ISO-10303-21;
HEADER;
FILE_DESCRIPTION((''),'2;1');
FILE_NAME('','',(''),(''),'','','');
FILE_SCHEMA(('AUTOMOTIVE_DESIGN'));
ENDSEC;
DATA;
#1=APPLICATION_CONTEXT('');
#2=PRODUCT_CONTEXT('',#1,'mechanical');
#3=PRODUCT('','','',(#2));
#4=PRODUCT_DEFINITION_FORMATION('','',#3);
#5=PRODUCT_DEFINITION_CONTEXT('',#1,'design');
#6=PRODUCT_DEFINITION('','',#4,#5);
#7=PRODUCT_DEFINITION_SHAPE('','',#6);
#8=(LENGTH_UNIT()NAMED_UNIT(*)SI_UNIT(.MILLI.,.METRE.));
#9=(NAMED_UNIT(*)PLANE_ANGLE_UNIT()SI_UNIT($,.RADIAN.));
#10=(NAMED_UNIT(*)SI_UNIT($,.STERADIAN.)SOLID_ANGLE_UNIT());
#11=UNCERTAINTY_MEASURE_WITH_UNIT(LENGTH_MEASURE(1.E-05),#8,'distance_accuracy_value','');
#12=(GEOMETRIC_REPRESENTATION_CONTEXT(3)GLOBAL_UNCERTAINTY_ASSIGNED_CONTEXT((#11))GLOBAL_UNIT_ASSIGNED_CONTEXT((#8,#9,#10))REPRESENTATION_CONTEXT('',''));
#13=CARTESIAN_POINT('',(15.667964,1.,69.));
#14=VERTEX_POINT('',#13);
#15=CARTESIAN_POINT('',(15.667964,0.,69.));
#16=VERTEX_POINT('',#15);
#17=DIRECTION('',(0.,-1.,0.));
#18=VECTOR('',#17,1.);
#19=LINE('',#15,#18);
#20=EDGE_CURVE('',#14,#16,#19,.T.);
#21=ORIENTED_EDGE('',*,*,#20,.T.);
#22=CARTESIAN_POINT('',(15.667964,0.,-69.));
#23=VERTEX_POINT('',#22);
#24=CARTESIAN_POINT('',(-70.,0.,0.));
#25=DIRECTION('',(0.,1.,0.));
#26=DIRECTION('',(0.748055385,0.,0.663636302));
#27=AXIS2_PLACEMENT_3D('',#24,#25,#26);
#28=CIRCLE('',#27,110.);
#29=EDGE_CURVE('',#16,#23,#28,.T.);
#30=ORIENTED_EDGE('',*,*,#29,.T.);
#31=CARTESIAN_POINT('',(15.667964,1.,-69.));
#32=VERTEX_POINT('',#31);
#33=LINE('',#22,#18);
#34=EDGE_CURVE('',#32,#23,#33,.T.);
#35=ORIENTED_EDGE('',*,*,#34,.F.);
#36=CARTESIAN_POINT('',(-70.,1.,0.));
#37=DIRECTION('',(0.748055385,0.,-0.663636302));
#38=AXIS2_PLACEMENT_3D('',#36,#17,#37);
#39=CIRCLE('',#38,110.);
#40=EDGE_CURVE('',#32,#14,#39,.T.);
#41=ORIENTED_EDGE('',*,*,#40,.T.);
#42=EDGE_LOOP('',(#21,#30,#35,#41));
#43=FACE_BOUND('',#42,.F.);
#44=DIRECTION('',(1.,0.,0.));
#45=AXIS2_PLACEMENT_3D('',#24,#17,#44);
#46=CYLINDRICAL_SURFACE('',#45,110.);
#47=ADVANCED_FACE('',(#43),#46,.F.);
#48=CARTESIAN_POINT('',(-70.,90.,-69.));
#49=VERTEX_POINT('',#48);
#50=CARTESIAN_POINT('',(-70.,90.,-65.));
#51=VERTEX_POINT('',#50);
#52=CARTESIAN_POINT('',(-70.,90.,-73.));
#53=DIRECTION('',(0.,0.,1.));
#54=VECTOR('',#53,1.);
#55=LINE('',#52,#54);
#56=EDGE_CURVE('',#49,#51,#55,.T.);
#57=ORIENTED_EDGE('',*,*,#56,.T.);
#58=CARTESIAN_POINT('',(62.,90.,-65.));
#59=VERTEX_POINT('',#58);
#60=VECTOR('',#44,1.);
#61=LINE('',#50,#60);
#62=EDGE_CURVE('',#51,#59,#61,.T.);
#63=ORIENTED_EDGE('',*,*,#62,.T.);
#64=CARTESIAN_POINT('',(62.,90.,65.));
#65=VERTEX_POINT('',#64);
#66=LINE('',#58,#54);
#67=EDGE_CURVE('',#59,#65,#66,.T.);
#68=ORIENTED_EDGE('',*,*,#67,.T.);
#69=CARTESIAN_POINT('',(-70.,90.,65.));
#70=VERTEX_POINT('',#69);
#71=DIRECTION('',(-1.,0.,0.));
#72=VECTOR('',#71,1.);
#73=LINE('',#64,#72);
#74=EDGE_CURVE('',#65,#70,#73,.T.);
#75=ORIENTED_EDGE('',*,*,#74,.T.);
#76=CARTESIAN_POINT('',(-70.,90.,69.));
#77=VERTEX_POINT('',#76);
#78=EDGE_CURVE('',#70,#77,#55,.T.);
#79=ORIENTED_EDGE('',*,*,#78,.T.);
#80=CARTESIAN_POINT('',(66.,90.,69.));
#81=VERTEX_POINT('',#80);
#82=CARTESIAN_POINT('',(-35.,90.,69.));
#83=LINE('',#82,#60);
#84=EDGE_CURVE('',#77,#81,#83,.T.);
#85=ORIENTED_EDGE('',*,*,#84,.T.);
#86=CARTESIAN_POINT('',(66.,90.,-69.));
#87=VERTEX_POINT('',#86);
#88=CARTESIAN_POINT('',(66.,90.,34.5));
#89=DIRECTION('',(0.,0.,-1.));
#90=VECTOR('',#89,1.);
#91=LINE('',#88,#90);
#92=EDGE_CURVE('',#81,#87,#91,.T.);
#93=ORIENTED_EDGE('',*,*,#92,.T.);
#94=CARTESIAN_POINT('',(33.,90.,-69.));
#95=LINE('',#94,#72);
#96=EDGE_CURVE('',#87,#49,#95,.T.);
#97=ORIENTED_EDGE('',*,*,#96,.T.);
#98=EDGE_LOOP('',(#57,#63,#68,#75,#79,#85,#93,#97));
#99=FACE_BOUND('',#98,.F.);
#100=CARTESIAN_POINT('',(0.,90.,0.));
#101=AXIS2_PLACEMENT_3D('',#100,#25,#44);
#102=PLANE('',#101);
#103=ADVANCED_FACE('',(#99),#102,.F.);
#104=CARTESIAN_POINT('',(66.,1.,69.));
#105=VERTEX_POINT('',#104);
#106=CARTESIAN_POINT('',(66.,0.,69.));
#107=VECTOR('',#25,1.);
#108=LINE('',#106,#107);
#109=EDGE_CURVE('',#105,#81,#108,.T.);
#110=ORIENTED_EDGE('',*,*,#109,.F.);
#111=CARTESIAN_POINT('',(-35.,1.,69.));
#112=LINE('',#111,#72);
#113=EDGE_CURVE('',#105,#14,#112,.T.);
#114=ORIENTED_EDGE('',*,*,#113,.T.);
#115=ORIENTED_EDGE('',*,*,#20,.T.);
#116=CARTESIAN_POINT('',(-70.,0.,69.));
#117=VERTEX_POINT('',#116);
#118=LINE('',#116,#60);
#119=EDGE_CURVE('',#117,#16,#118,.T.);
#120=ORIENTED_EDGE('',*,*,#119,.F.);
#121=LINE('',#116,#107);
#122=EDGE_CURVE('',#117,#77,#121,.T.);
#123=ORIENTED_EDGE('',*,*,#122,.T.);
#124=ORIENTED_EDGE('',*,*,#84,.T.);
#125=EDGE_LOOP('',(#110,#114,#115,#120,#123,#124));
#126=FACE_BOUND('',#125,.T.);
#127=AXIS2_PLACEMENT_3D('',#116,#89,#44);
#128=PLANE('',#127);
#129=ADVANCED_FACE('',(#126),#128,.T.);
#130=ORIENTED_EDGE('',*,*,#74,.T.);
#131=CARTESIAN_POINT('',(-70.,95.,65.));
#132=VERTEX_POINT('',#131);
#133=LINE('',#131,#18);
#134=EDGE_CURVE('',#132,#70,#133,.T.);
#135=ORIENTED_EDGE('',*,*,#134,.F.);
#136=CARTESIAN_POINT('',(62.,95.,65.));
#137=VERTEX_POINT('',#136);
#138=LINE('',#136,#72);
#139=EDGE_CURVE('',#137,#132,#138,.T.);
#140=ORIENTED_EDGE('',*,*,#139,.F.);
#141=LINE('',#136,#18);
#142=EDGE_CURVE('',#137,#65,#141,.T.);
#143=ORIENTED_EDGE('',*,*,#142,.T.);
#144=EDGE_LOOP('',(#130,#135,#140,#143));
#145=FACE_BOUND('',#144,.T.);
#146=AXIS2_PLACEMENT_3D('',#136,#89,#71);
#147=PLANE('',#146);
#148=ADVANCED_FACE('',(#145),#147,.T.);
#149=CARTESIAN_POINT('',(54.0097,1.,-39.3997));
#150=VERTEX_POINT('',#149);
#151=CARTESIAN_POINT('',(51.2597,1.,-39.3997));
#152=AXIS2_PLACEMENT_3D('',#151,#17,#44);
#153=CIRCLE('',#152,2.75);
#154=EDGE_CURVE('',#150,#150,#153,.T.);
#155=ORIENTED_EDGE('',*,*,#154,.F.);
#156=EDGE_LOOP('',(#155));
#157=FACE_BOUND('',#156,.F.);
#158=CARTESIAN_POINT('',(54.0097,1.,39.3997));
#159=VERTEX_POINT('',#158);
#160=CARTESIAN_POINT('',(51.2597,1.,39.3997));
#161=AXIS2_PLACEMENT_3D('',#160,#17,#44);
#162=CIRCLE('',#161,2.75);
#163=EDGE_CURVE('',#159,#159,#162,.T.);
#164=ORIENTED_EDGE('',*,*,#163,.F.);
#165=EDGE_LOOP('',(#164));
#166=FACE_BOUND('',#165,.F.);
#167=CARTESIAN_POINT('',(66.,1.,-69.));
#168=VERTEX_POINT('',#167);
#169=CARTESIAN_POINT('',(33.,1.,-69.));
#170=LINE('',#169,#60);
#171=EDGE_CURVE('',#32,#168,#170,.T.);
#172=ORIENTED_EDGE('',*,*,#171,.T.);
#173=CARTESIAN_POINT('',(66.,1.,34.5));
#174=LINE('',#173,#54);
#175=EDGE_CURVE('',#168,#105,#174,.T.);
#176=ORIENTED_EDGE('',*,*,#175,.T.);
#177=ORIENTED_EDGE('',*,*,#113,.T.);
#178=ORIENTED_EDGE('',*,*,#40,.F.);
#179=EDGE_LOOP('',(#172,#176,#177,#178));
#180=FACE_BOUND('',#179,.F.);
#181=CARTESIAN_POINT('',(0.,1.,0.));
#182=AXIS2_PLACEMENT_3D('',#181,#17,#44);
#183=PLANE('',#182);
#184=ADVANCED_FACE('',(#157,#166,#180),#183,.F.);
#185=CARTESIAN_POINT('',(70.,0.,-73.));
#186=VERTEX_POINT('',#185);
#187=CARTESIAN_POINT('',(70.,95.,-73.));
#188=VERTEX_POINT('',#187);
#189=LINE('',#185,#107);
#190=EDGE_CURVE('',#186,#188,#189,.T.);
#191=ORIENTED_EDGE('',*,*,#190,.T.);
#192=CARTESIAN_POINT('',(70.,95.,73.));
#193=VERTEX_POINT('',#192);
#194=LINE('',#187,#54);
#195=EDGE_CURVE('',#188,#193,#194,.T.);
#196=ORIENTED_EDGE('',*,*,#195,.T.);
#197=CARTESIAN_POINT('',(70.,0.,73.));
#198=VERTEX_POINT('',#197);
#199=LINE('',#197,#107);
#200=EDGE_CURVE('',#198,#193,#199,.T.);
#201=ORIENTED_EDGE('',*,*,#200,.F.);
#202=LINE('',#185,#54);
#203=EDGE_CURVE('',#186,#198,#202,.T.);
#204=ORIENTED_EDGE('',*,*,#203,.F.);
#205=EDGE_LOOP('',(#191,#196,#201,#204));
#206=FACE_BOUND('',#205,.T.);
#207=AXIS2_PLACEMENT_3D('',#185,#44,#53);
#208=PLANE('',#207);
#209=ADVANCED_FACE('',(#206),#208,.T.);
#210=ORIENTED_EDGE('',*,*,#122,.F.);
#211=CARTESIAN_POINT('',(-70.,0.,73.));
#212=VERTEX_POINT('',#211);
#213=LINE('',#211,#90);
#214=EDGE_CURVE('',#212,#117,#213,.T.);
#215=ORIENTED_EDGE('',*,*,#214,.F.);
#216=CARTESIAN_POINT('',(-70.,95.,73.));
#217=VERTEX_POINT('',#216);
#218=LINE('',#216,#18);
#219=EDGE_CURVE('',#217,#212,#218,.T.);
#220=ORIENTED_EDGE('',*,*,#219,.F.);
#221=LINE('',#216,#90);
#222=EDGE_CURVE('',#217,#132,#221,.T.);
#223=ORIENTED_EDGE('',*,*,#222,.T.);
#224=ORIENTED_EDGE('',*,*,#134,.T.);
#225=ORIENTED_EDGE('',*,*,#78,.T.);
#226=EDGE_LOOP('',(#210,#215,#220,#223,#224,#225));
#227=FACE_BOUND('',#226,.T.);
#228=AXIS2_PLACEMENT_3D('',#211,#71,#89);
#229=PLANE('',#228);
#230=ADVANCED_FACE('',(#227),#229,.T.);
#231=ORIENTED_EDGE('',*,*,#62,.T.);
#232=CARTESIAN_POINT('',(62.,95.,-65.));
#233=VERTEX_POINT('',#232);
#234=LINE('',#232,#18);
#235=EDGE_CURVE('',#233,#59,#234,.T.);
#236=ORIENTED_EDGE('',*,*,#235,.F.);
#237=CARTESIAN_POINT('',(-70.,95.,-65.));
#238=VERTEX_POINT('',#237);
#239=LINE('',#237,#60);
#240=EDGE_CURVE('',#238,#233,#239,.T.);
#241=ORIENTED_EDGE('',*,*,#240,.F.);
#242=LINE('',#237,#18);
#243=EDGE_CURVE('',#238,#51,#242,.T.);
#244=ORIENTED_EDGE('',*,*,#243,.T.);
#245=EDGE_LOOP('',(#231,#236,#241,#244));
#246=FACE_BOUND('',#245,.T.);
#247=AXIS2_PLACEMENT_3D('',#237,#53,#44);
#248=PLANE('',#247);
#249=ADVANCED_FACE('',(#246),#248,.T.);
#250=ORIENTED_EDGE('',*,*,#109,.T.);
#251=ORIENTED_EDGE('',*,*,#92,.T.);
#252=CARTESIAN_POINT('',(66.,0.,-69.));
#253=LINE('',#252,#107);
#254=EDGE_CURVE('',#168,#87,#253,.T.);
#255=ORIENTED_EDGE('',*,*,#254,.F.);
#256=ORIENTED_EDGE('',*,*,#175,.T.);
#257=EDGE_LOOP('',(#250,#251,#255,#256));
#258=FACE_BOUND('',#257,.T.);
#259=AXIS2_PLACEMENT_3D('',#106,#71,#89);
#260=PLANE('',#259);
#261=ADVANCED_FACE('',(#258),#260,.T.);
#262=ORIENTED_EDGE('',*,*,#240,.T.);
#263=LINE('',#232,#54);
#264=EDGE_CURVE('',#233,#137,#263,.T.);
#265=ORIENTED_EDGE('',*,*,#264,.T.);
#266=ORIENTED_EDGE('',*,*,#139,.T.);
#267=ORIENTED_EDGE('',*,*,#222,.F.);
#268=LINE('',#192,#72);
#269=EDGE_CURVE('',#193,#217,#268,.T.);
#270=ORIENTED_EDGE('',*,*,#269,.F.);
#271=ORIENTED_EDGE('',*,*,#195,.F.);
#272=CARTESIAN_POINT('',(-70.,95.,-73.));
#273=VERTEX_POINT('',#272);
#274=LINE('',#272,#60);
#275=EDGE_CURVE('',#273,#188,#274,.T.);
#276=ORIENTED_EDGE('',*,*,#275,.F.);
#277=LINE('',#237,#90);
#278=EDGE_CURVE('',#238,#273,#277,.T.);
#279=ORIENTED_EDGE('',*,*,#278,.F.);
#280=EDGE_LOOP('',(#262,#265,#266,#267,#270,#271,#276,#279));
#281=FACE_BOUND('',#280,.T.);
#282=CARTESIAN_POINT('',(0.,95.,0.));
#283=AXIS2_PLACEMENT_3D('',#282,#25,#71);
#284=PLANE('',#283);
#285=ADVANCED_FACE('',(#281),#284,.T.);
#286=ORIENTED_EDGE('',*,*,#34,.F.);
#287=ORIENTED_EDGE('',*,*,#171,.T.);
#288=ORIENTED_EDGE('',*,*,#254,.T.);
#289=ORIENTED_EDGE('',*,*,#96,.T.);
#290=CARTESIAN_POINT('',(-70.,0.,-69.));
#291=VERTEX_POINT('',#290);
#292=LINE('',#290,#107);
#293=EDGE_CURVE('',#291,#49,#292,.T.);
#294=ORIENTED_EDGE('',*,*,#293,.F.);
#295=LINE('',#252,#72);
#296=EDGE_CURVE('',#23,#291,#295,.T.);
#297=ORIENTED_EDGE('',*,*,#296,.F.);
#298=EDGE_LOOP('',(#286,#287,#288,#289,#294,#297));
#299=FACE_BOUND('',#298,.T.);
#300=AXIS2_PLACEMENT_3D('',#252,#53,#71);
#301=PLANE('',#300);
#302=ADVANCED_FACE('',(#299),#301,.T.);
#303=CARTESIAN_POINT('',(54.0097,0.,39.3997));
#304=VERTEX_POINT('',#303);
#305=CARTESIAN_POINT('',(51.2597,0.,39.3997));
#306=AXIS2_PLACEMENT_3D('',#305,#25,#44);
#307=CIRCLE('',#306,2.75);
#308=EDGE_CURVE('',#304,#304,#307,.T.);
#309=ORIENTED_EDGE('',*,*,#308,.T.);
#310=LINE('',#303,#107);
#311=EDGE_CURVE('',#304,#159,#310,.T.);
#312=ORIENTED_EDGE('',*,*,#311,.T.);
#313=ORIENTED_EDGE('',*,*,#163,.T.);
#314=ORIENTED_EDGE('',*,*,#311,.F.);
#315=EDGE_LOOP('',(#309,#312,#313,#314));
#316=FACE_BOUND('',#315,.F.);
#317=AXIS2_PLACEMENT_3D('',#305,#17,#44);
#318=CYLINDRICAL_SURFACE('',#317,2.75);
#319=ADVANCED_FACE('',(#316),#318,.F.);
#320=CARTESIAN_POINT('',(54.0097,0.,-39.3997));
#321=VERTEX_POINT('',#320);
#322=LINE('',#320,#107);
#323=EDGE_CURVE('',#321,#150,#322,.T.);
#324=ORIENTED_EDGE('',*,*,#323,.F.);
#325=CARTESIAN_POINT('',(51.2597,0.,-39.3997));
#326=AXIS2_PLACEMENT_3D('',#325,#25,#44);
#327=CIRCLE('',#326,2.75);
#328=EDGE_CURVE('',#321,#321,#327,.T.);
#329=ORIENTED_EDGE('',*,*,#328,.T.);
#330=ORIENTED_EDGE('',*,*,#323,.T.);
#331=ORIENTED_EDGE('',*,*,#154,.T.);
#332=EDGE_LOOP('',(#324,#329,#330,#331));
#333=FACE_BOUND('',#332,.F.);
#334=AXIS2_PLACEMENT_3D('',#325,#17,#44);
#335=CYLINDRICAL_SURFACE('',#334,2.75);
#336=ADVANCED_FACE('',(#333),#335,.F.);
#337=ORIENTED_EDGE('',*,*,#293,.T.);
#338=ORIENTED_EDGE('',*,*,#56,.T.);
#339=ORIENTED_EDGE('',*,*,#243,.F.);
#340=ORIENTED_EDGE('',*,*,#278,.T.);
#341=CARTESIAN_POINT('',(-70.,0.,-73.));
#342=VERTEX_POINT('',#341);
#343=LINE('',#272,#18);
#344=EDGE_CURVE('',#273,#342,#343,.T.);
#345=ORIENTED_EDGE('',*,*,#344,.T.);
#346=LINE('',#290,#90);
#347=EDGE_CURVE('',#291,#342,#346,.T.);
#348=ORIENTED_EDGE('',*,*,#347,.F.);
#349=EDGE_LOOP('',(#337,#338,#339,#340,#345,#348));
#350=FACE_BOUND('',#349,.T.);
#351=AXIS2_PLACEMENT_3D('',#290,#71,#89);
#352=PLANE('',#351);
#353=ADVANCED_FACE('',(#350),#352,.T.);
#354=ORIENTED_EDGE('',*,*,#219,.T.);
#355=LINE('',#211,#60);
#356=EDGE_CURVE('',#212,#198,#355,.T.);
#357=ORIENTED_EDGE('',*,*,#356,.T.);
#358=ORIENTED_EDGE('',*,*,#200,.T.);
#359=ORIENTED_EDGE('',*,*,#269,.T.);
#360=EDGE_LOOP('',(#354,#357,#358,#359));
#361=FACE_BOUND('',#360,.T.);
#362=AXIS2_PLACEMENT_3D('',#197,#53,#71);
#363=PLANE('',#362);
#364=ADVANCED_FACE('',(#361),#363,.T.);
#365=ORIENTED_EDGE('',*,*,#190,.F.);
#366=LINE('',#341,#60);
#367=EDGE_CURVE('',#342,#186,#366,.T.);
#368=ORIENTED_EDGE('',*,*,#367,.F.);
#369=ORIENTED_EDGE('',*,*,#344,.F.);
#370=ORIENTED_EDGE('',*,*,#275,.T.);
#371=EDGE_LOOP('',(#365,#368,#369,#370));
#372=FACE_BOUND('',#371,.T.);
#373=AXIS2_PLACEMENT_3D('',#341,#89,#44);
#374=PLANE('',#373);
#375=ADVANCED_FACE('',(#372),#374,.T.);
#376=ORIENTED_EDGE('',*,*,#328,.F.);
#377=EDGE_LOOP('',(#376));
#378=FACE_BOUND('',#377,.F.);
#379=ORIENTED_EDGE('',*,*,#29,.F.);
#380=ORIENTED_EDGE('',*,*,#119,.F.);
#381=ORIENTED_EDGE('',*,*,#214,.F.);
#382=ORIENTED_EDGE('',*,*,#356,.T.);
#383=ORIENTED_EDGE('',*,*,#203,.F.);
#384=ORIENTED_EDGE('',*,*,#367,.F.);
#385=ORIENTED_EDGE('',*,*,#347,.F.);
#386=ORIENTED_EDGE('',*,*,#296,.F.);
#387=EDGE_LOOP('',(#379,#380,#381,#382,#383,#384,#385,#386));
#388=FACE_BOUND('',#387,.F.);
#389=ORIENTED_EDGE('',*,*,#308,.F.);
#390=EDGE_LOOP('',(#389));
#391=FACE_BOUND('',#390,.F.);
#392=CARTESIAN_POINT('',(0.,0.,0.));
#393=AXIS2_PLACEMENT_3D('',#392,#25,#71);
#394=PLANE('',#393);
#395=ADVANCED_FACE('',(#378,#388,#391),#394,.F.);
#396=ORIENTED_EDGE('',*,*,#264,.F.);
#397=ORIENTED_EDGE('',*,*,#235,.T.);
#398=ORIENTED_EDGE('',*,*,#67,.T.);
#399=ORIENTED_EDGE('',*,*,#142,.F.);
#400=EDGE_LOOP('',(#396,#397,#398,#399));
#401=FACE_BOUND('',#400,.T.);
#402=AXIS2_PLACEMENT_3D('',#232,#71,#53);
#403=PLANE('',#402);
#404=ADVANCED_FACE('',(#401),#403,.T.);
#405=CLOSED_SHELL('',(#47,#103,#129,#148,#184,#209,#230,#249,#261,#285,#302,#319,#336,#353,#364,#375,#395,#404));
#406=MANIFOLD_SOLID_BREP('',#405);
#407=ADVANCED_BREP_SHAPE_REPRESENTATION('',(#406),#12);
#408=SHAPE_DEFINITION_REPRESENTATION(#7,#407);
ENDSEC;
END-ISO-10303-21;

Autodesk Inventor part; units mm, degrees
ref_plane "YZ Plane" through (0, 0, 0) normal (1, 0, 0) x (0, 1, 0)
ref_plane "XZ Plane" through (0, 0, 0) normal (0, 1, 0) x (-1, 0, 0)
ref_plane "XY Plane" through (0, 0, 0) normal (0, 0, 1) x (1, 0, 0)
sketch "Sketch4" plane through (0, 0, 0) normal (0, 1, 0) x (-1, 0, 0)
  line L0 (-70, 73) -> (70, 73)
  line L1 (70, -73) -> (-70, -73)
  line L2 (-70, -73) -> (-70, 73)
  line L3 (-66, -69) -> (70, -69)
  line L4 (70, 69) -> (-66, 69)
  line L5 (-66, 69) -> (-66, -69)
  line L6 (70, 73) -> (70, 69)
  line L7 (70, -69) -> (70, -73)
  point P0 (0, 0)
  point P1 (-66, 65)
  dimension "Housing_Length" = 140
  dimension "Housing_Width" = 146
  dimension "d15" = 4
  dimension "d36" = 136
  dimension "d37" = 138
extrude "Extrusion4" add sketch "Sketch4" along normal blind 95
sketch "Sketch6" plane through (0, 95, 0) normal (0, 1, 0) x (1, 0, 0)
  line L0 (70, 73) -> (-70, 73) projected
  line L1 (-70, -69) -> (-70, -73) projected
  line L2 (70, 73) -> (-70, 73)
  line L3 (-70, 73) -> (-70, -73)
  line L4 (-70, -73) -> (70, -73)
  line L5 (70, -73) -> (70, 73)
  line L6 (62, -65) -> (-70, -65)
  line L7 (-70, 65) -> (62, 65)
  line L8 (62, 65) -> (62, -65)
  point P0 (0, 0)
  dimension "Lip_Width" = 8
extrude "Extrusion5" add sketch "Sketch6" against normal blind 5 contours L5 L4 L1 L3 L6 L8 L7 L0
sketch "Sketch10" plane through (0, 0, 0) normal (0, -1, 0) x (1, 0, 0)
  line L0 (66, -69) -> (66, 69) projected
  circle A0 centre (-70, 0) radius 135
  circle A1 centre (-70, 0) radius 110
  line L1 (-70, 73) -> (70, 73) projected
  line L2 (12.2861, 73) -> (70, 73)
  line L3 (70, -73) -> (-70, -73) projected
  line L4 (70, 73) -> (70, -73)
  line L5 (70, -73) -> (12.2861, -73)
  circle A2 centre (-70, 0) radius 127.5
  line L6 (-70, 0) -> (-70, 135)
  circle A3 centre (-70, 127.5) radius 2.75
  circle A4 centre (-144.9426, 103.1497) radius 2.75
  circle A5 centre (-191.2597, 39.3997) radius 2.75
  circle A6 centre (-191.2597, -39.3997) radius 2.75
  circle A7 centre (-144.9426, -103.1497) radius 2.75
  circle A8 centre (-70, -127.5) radius 2.75
  circle A9 centre (4.9426, -103.1497) radius 2.75
  circle A10 centre (51.2597, -39.3997) radius 2.75
  circle A11 centre (51.2597, 39.3997) radius 2.75
  circle A12 centre (4.9426, 103.1497) radius 2.75
  point P0 (0, 0)
  dimension "d52" = 270
  dimension "d57" = 255
  dimension "d53" = 136
  dimension "d54" = 220
  dimension "d58" = 5.5
  dimension "d61" = 360
extrude "Extrusion9" add sketch "Sketch10" against normal blind 1 contours A0 L3 A2 A10 A11 L1 | A0 L1 L4 L3 | A2 A11 A10 L3 A1 L1
properties part number "Galvo Housing-01"
